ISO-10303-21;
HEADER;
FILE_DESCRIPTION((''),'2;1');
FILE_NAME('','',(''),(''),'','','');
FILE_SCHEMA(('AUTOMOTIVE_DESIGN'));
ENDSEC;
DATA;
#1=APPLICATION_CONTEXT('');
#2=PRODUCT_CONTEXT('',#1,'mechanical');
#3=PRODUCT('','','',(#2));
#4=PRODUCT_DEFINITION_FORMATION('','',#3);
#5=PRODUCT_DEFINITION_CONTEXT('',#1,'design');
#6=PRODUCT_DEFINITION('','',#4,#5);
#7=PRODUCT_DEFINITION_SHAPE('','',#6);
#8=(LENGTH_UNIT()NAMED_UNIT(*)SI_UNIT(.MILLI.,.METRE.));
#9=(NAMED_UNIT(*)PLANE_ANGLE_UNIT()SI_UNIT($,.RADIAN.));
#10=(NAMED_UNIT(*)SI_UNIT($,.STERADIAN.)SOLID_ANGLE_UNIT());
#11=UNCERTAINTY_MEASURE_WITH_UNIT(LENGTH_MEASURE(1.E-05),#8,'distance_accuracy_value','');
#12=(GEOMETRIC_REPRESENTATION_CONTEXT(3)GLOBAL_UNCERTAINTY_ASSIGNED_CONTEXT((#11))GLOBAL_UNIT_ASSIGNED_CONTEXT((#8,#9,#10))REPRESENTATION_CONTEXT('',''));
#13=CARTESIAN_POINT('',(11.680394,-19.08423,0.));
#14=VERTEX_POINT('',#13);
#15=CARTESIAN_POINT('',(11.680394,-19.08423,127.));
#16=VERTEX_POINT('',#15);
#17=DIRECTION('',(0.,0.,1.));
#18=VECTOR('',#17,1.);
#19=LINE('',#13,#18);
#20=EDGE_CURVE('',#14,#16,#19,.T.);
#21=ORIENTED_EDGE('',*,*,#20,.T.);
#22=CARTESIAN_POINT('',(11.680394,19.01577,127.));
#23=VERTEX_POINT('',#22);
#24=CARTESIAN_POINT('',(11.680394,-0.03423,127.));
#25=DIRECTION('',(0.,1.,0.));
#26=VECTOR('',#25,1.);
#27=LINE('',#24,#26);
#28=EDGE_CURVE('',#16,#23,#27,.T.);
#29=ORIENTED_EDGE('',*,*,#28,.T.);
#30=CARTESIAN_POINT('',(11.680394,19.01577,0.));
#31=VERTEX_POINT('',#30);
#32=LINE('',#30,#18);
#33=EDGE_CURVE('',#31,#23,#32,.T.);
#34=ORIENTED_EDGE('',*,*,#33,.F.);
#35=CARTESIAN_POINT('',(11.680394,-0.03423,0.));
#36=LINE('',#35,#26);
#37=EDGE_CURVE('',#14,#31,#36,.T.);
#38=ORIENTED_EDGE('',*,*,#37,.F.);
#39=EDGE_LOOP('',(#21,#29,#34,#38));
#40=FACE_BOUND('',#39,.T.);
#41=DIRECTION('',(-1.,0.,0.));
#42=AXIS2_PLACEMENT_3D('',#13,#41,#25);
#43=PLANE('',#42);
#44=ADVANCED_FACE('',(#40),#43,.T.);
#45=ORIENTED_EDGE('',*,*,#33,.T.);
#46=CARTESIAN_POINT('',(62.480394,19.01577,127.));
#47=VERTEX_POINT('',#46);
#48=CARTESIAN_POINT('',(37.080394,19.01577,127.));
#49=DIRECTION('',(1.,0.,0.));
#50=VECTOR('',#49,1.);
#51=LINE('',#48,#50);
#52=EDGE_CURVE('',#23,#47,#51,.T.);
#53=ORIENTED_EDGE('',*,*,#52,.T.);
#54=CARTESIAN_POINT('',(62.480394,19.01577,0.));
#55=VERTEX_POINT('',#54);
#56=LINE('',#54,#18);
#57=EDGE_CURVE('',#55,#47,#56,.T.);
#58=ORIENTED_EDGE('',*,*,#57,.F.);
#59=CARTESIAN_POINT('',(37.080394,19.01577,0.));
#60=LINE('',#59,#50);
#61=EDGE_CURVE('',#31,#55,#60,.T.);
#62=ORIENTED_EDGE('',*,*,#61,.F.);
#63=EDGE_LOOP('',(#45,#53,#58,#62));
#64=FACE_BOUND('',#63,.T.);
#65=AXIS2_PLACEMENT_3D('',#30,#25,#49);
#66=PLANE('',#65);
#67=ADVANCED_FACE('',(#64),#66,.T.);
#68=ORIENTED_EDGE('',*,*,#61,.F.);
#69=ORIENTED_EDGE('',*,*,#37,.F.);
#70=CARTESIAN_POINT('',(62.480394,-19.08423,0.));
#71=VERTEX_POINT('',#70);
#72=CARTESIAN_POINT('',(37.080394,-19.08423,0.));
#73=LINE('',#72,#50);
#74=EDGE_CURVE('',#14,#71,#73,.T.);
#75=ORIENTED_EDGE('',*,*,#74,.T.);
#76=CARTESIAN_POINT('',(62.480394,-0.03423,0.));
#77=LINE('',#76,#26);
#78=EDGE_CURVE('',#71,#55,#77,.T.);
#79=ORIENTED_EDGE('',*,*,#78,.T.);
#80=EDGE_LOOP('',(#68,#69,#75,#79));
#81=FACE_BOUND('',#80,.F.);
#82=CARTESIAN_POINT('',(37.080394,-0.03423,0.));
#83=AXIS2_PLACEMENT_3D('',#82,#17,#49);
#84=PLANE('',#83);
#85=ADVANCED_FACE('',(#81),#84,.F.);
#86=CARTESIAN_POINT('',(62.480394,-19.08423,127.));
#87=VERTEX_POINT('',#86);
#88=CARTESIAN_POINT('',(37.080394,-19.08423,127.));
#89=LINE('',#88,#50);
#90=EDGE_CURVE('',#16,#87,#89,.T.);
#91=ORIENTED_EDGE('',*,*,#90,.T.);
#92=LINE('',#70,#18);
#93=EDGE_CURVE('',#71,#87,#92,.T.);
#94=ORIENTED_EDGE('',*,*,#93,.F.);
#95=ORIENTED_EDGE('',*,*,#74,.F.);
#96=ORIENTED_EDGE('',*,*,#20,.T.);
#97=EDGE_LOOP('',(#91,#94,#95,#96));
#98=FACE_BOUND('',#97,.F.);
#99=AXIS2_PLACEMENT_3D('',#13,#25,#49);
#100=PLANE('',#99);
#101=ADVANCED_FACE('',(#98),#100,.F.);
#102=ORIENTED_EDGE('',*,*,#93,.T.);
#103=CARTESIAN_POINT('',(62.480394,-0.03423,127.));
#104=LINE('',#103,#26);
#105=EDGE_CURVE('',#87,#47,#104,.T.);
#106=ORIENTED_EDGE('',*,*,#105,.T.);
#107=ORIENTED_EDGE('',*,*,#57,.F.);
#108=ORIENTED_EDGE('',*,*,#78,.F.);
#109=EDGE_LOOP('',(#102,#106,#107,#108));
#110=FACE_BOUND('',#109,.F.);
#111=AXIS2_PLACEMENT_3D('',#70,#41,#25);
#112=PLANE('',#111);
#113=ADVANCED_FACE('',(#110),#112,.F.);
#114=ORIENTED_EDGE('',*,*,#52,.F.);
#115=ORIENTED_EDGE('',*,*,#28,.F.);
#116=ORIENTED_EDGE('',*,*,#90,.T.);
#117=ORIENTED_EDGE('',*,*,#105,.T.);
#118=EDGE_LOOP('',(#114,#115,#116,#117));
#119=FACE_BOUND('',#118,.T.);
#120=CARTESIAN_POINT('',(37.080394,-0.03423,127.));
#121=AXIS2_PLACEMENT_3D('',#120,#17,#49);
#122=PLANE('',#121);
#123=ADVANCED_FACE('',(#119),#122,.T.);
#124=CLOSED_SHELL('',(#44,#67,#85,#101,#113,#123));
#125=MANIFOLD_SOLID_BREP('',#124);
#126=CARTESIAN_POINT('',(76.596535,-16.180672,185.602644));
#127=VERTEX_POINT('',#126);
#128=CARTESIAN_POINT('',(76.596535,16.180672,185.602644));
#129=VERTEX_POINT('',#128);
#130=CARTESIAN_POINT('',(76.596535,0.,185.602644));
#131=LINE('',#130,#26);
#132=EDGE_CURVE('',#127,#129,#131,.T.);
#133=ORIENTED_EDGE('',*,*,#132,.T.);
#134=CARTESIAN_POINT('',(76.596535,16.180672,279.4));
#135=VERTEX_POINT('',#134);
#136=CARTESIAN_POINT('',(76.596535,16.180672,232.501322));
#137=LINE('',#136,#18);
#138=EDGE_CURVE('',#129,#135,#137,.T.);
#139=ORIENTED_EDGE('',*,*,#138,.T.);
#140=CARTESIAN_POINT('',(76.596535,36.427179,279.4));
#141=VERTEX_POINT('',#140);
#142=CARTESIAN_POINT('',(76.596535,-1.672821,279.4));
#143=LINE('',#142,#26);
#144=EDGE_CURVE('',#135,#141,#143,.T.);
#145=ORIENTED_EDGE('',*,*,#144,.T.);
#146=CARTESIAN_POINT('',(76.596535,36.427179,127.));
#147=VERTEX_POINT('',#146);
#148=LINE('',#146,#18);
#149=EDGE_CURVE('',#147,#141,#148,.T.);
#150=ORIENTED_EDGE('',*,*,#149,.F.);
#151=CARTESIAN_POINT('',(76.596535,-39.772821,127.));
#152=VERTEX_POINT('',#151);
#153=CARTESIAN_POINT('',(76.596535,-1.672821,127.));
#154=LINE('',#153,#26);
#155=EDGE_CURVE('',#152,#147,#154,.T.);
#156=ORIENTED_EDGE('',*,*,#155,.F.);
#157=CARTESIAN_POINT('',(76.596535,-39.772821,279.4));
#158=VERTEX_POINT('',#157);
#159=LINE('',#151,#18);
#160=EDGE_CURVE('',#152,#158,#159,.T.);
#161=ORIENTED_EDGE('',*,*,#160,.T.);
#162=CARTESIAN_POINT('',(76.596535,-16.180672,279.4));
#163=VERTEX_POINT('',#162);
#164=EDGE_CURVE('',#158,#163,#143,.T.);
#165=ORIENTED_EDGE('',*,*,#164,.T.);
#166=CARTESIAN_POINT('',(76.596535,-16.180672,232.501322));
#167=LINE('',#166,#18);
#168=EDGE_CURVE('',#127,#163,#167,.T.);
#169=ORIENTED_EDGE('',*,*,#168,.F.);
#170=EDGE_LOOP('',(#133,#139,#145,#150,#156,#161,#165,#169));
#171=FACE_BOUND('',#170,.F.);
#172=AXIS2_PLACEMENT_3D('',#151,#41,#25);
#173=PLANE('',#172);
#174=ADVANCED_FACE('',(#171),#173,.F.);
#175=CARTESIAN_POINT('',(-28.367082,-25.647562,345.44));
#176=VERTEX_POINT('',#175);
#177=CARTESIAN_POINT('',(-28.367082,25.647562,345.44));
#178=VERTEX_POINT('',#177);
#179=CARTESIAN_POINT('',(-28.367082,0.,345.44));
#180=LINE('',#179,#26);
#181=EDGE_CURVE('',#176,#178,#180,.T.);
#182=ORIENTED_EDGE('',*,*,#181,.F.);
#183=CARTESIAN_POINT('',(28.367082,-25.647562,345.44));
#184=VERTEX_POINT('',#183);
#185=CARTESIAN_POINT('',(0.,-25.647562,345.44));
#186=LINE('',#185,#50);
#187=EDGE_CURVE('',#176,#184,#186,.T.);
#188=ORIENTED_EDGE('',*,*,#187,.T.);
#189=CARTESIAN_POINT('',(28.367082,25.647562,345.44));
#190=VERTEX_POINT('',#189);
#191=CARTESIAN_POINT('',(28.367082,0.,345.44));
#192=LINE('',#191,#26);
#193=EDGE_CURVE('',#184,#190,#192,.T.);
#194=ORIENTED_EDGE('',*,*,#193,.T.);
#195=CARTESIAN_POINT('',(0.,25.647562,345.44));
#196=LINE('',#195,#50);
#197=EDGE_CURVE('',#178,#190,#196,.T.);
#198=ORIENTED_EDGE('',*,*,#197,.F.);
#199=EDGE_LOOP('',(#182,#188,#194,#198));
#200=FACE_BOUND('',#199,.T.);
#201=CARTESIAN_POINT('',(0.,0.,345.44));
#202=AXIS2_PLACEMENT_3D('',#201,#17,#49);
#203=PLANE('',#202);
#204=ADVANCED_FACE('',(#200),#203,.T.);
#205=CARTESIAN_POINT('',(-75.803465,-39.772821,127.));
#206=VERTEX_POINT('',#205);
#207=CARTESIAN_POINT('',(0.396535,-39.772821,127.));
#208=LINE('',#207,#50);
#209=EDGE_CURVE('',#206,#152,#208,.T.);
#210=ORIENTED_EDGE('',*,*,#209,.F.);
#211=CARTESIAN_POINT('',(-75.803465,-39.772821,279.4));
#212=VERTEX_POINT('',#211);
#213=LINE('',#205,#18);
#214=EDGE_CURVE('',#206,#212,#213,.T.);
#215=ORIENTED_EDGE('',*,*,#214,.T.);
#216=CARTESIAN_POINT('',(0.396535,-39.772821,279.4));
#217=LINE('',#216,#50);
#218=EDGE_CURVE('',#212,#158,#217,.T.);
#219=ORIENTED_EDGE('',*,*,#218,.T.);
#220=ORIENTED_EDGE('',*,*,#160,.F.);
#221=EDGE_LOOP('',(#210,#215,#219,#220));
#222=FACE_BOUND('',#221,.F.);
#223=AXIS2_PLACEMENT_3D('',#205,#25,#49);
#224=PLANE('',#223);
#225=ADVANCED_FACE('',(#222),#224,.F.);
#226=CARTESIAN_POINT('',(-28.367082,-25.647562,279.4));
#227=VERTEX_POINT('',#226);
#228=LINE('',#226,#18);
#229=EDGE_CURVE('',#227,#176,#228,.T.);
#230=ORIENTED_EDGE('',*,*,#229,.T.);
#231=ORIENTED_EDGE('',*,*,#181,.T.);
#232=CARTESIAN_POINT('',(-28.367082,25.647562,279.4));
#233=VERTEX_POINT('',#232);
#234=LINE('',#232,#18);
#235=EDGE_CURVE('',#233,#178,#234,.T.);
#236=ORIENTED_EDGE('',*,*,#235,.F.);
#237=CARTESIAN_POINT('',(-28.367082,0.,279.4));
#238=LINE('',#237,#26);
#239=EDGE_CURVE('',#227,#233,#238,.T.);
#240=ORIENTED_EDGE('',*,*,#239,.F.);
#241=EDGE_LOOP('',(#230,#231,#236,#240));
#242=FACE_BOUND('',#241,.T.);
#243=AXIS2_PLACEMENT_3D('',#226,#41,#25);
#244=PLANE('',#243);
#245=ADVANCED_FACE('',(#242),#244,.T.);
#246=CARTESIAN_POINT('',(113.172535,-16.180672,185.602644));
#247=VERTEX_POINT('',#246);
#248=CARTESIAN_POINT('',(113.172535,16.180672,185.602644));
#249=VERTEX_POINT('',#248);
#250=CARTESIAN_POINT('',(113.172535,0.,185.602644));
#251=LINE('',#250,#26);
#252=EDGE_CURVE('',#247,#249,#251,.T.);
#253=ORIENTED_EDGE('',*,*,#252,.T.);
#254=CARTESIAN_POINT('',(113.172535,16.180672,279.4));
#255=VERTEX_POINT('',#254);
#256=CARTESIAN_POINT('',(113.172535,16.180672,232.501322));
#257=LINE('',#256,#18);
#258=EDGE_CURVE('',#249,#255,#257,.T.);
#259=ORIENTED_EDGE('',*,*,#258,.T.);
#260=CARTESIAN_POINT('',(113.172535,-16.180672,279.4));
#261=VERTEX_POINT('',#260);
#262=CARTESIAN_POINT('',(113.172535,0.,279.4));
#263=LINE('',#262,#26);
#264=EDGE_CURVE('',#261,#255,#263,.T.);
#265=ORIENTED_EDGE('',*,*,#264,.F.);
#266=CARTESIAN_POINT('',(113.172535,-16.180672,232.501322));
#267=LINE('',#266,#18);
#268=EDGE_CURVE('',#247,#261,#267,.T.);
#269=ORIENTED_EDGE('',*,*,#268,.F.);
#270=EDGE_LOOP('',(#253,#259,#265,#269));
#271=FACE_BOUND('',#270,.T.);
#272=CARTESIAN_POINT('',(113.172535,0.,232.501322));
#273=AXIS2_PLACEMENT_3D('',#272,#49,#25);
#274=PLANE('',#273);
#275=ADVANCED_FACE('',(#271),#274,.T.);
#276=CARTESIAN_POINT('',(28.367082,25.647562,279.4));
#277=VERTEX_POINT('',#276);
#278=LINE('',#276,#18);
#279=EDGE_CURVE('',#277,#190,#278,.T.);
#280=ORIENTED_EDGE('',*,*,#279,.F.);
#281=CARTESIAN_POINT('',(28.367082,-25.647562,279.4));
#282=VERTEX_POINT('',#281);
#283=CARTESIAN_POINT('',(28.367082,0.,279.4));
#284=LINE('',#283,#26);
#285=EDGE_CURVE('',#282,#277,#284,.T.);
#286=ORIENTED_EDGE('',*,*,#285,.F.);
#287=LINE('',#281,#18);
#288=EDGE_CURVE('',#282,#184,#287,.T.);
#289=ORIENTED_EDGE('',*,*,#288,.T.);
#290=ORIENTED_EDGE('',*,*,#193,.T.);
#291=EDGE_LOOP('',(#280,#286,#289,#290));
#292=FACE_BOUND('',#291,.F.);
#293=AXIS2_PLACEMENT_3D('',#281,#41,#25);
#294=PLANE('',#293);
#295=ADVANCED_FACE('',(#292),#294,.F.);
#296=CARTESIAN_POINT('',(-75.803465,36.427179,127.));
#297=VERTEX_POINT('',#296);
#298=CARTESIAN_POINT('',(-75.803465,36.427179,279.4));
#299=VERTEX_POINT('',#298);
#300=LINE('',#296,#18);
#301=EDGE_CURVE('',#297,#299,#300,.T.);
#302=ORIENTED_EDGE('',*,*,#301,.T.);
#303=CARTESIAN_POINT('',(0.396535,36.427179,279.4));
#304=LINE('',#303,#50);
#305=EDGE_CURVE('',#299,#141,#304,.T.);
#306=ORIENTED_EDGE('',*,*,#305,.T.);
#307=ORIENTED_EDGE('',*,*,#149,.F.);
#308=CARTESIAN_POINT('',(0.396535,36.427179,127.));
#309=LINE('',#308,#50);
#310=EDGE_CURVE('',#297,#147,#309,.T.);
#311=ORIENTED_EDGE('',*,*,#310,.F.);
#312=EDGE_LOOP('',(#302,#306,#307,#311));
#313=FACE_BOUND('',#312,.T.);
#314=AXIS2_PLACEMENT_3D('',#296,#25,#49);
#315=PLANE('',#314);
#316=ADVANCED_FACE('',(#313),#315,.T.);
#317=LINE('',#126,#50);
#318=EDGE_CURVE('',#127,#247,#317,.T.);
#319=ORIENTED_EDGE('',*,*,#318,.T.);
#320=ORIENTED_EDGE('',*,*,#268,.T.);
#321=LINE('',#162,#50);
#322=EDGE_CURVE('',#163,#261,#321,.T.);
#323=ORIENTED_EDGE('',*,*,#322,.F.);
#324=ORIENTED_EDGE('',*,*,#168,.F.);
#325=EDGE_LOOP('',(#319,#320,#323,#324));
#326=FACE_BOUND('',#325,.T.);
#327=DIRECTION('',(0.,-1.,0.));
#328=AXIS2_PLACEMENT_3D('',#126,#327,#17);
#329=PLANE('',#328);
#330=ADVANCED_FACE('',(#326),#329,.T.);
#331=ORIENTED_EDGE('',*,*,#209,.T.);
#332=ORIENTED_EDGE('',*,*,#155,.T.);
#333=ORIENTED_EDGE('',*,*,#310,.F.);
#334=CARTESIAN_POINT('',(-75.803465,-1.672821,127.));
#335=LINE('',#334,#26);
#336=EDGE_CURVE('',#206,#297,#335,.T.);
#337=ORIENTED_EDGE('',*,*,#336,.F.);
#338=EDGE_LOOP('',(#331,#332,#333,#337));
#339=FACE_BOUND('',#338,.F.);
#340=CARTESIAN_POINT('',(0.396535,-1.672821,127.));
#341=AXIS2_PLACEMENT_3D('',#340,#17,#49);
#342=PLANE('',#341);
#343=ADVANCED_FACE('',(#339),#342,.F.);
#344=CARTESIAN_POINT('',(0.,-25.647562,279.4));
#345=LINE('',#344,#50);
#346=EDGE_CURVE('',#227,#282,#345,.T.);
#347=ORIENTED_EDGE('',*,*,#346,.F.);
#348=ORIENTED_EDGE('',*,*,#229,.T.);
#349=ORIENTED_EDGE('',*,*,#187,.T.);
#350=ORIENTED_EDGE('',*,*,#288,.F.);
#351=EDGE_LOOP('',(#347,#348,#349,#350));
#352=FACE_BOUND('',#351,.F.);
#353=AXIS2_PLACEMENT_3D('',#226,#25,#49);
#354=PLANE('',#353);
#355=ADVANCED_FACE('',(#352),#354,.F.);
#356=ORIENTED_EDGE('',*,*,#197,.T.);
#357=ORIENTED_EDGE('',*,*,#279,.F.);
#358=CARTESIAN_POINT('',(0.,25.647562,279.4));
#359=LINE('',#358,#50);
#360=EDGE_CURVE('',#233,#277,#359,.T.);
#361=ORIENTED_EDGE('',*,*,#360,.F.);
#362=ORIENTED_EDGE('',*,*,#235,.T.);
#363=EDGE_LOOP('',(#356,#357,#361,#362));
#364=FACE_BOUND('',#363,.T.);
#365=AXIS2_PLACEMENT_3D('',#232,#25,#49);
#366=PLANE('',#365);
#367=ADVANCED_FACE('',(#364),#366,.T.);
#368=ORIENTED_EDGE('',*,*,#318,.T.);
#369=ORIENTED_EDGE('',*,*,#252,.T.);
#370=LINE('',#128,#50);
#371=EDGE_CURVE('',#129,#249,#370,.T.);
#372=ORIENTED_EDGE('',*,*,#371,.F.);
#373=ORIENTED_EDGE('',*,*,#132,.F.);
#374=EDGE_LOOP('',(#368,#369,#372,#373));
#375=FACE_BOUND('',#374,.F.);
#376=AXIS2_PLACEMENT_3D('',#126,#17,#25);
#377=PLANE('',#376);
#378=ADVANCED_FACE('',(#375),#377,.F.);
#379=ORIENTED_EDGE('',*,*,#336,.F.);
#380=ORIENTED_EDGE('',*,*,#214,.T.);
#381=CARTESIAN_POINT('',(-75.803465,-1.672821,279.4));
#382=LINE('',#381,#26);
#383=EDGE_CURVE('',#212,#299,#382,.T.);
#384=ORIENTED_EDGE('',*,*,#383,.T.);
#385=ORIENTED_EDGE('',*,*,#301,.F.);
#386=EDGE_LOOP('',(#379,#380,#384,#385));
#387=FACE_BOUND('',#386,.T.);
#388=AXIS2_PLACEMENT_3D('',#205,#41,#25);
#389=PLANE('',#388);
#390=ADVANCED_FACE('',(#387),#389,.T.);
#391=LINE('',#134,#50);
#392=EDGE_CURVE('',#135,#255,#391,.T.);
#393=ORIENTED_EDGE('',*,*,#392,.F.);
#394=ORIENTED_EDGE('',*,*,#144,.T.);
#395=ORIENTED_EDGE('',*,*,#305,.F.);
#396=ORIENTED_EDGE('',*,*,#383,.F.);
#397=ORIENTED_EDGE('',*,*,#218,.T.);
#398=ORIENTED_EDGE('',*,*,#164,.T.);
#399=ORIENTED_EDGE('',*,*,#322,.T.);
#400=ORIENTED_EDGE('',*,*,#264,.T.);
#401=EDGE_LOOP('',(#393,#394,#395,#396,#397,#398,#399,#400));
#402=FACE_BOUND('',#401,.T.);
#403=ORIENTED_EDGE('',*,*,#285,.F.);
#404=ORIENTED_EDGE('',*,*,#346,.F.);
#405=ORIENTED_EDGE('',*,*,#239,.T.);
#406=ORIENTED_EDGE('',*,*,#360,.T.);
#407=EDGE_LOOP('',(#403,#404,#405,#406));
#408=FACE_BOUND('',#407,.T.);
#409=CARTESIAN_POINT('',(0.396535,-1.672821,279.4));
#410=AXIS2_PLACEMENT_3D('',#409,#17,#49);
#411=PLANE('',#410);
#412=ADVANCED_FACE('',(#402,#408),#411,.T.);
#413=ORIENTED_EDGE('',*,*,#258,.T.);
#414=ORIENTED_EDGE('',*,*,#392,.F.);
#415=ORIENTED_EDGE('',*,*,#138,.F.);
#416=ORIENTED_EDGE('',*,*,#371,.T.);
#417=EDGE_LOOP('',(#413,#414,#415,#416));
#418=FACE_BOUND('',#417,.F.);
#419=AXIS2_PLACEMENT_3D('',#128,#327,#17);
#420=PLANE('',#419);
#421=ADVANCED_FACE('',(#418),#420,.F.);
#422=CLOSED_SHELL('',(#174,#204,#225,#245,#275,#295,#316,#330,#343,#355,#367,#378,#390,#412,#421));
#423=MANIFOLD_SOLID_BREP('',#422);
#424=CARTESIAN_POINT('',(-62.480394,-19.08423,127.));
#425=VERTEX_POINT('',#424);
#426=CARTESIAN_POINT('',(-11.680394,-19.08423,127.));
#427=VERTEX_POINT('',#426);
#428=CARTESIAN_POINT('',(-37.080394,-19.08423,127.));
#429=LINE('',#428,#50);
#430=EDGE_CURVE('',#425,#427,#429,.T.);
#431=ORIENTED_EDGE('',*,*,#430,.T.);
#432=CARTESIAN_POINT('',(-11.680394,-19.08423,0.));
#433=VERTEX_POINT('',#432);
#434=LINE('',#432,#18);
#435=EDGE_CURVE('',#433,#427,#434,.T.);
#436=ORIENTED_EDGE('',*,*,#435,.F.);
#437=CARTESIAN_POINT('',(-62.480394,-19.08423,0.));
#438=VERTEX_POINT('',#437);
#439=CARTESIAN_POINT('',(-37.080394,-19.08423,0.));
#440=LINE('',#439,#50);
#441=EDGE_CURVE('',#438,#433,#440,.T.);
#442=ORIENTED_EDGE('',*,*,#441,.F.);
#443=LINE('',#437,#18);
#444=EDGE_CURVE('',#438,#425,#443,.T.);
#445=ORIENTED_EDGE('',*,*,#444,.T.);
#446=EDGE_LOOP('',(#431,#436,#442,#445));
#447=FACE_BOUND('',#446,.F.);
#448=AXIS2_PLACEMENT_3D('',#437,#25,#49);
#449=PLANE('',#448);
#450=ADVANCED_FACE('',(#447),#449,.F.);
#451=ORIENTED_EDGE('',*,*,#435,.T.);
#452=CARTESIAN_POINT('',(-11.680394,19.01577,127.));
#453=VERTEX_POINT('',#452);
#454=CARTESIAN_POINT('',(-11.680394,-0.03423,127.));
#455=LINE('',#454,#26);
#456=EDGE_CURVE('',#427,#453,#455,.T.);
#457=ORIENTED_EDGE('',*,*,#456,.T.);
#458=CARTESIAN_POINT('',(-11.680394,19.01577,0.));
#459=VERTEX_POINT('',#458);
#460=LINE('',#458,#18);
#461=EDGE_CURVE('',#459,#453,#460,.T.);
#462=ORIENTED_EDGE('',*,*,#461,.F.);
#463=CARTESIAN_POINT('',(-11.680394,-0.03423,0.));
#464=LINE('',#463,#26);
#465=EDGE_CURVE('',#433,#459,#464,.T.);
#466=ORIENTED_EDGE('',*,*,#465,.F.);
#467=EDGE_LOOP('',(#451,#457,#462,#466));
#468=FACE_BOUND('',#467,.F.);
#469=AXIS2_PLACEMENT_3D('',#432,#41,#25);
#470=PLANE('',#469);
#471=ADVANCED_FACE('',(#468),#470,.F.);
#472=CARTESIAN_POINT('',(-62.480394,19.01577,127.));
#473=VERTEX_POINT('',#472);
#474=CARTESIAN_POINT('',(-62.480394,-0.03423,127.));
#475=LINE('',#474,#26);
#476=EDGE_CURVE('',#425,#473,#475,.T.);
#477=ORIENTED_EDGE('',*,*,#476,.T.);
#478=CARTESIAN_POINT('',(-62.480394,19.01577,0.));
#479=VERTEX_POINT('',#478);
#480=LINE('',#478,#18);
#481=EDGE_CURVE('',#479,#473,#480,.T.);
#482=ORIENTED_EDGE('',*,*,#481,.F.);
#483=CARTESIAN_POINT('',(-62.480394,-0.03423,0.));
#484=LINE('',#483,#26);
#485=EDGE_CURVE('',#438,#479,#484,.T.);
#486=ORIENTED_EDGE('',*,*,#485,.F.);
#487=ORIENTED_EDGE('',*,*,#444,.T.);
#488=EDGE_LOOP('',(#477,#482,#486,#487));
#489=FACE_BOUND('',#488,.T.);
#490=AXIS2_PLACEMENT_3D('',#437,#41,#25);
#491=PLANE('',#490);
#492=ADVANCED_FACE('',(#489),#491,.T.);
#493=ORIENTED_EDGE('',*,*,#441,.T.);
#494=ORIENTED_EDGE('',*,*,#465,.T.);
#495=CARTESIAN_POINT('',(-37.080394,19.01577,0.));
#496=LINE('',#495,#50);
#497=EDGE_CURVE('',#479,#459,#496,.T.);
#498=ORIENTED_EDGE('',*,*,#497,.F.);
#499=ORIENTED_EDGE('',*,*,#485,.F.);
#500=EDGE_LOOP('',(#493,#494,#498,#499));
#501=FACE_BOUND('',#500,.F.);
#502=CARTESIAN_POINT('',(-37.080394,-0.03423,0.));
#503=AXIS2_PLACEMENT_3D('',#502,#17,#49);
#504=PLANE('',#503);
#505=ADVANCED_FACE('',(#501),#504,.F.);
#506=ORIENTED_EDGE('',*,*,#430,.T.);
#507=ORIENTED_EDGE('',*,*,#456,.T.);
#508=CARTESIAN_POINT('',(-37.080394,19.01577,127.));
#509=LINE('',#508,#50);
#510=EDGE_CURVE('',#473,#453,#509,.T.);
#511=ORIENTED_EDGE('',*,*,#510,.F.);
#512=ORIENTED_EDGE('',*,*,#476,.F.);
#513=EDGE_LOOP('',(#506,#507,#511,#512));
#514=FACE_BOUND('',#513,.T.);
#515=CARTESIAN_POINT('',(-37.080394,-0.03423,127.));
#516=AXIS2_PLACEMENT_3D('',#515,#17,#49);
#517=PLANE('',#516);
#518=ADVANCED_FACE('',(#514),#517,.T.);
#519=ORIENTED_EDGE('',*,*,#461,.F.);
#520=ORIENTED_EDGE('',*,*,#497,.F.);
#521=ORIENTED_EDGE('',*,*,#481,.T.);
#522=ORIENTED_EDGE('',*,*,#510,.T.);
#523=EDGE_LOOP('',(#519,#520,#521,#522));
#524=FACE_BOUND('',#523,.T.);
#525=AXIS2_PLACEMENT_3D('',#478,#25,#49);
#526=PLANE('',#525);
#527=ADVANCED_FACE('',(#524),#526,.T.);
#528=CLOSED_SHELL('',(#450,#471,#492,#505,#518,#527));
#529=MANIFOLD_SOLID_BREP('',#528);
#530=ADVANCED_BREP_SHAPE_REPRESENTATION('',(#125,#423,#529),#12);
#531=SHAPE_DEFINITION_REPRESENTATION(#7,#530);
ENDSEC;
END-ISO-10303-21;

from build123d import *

# Parameters (mm, degrees)
F0_W     = 50.8
F0_H     = 38.1
F1_DEPTH = 127
F2_W     = 152.4
F2_H     = 76.2
F2_W_2   = 50.8
F2_H_2   = 38.1
F3_DEPTH = 152.4
F4_W     = 56.7341633141
F4_H     = 51.2951239944
F5_DEPTH = 66.04
F6_W     = 32.3613445262
F6_H     = 93.7973558903
F7_DEPTH = 36.576


with BuildPart() as f1:
    # F0 (on Top) → F1 (new body)
    with BuildSketch(Plane.XY):
        with Locations((-37.0803937972, -0.0342295945)):
            Rectangle(F0_W, F0_H)
    extrude(amount=F1_DEPTH)


with BuildPart() as f1b:
    # F0 (on Top) → F1, piece 2 (new body)
    with BuildSketch(Plane.XY):
        with Locations((37.0803937972, -0.0342295945)):
            Rectangle(F0_W, F0_H)
    extrude(amount=F1_DEPTH)


with BuildPart() as f3:
    # F2 (on face) → F3 (new body)
    with BuildSketch(Plane.XY.offset(127)):
        with Locations((0.3965346944, -1.672820802)):
            Rectangle(F2_W, F2_H)
        with Locations((-37.0803937972, -0.0342295945)):
            Rectangle(F2_W_2, F2_H_2, mode=Mode.SUBTRACT)
        with Locations((-37.0803937972, -0.0342295945)):
            Rectangle(F2_W_2, F2_H_2)
    extrude(amount=F3_DEPTH)

    # F4 (on face) → F5 (join)
    with BuildSketch(Plane.XY.offset(279.4)):
        Rectangle(F4_W, F4_H)
    extrude(amount=F5_DEPTH)

    # F6 (on face) → F7 (join)
    with BuildSketch(Plane.YZ.offset(76.5965346944)):
        with Locations((0, 232.5013220549)):
            Rectangle(F6_W, F6_H)
    extrude(amount=F7_DEPTH)


solid = Compound([f1.part, f1b.part, f3.part])
